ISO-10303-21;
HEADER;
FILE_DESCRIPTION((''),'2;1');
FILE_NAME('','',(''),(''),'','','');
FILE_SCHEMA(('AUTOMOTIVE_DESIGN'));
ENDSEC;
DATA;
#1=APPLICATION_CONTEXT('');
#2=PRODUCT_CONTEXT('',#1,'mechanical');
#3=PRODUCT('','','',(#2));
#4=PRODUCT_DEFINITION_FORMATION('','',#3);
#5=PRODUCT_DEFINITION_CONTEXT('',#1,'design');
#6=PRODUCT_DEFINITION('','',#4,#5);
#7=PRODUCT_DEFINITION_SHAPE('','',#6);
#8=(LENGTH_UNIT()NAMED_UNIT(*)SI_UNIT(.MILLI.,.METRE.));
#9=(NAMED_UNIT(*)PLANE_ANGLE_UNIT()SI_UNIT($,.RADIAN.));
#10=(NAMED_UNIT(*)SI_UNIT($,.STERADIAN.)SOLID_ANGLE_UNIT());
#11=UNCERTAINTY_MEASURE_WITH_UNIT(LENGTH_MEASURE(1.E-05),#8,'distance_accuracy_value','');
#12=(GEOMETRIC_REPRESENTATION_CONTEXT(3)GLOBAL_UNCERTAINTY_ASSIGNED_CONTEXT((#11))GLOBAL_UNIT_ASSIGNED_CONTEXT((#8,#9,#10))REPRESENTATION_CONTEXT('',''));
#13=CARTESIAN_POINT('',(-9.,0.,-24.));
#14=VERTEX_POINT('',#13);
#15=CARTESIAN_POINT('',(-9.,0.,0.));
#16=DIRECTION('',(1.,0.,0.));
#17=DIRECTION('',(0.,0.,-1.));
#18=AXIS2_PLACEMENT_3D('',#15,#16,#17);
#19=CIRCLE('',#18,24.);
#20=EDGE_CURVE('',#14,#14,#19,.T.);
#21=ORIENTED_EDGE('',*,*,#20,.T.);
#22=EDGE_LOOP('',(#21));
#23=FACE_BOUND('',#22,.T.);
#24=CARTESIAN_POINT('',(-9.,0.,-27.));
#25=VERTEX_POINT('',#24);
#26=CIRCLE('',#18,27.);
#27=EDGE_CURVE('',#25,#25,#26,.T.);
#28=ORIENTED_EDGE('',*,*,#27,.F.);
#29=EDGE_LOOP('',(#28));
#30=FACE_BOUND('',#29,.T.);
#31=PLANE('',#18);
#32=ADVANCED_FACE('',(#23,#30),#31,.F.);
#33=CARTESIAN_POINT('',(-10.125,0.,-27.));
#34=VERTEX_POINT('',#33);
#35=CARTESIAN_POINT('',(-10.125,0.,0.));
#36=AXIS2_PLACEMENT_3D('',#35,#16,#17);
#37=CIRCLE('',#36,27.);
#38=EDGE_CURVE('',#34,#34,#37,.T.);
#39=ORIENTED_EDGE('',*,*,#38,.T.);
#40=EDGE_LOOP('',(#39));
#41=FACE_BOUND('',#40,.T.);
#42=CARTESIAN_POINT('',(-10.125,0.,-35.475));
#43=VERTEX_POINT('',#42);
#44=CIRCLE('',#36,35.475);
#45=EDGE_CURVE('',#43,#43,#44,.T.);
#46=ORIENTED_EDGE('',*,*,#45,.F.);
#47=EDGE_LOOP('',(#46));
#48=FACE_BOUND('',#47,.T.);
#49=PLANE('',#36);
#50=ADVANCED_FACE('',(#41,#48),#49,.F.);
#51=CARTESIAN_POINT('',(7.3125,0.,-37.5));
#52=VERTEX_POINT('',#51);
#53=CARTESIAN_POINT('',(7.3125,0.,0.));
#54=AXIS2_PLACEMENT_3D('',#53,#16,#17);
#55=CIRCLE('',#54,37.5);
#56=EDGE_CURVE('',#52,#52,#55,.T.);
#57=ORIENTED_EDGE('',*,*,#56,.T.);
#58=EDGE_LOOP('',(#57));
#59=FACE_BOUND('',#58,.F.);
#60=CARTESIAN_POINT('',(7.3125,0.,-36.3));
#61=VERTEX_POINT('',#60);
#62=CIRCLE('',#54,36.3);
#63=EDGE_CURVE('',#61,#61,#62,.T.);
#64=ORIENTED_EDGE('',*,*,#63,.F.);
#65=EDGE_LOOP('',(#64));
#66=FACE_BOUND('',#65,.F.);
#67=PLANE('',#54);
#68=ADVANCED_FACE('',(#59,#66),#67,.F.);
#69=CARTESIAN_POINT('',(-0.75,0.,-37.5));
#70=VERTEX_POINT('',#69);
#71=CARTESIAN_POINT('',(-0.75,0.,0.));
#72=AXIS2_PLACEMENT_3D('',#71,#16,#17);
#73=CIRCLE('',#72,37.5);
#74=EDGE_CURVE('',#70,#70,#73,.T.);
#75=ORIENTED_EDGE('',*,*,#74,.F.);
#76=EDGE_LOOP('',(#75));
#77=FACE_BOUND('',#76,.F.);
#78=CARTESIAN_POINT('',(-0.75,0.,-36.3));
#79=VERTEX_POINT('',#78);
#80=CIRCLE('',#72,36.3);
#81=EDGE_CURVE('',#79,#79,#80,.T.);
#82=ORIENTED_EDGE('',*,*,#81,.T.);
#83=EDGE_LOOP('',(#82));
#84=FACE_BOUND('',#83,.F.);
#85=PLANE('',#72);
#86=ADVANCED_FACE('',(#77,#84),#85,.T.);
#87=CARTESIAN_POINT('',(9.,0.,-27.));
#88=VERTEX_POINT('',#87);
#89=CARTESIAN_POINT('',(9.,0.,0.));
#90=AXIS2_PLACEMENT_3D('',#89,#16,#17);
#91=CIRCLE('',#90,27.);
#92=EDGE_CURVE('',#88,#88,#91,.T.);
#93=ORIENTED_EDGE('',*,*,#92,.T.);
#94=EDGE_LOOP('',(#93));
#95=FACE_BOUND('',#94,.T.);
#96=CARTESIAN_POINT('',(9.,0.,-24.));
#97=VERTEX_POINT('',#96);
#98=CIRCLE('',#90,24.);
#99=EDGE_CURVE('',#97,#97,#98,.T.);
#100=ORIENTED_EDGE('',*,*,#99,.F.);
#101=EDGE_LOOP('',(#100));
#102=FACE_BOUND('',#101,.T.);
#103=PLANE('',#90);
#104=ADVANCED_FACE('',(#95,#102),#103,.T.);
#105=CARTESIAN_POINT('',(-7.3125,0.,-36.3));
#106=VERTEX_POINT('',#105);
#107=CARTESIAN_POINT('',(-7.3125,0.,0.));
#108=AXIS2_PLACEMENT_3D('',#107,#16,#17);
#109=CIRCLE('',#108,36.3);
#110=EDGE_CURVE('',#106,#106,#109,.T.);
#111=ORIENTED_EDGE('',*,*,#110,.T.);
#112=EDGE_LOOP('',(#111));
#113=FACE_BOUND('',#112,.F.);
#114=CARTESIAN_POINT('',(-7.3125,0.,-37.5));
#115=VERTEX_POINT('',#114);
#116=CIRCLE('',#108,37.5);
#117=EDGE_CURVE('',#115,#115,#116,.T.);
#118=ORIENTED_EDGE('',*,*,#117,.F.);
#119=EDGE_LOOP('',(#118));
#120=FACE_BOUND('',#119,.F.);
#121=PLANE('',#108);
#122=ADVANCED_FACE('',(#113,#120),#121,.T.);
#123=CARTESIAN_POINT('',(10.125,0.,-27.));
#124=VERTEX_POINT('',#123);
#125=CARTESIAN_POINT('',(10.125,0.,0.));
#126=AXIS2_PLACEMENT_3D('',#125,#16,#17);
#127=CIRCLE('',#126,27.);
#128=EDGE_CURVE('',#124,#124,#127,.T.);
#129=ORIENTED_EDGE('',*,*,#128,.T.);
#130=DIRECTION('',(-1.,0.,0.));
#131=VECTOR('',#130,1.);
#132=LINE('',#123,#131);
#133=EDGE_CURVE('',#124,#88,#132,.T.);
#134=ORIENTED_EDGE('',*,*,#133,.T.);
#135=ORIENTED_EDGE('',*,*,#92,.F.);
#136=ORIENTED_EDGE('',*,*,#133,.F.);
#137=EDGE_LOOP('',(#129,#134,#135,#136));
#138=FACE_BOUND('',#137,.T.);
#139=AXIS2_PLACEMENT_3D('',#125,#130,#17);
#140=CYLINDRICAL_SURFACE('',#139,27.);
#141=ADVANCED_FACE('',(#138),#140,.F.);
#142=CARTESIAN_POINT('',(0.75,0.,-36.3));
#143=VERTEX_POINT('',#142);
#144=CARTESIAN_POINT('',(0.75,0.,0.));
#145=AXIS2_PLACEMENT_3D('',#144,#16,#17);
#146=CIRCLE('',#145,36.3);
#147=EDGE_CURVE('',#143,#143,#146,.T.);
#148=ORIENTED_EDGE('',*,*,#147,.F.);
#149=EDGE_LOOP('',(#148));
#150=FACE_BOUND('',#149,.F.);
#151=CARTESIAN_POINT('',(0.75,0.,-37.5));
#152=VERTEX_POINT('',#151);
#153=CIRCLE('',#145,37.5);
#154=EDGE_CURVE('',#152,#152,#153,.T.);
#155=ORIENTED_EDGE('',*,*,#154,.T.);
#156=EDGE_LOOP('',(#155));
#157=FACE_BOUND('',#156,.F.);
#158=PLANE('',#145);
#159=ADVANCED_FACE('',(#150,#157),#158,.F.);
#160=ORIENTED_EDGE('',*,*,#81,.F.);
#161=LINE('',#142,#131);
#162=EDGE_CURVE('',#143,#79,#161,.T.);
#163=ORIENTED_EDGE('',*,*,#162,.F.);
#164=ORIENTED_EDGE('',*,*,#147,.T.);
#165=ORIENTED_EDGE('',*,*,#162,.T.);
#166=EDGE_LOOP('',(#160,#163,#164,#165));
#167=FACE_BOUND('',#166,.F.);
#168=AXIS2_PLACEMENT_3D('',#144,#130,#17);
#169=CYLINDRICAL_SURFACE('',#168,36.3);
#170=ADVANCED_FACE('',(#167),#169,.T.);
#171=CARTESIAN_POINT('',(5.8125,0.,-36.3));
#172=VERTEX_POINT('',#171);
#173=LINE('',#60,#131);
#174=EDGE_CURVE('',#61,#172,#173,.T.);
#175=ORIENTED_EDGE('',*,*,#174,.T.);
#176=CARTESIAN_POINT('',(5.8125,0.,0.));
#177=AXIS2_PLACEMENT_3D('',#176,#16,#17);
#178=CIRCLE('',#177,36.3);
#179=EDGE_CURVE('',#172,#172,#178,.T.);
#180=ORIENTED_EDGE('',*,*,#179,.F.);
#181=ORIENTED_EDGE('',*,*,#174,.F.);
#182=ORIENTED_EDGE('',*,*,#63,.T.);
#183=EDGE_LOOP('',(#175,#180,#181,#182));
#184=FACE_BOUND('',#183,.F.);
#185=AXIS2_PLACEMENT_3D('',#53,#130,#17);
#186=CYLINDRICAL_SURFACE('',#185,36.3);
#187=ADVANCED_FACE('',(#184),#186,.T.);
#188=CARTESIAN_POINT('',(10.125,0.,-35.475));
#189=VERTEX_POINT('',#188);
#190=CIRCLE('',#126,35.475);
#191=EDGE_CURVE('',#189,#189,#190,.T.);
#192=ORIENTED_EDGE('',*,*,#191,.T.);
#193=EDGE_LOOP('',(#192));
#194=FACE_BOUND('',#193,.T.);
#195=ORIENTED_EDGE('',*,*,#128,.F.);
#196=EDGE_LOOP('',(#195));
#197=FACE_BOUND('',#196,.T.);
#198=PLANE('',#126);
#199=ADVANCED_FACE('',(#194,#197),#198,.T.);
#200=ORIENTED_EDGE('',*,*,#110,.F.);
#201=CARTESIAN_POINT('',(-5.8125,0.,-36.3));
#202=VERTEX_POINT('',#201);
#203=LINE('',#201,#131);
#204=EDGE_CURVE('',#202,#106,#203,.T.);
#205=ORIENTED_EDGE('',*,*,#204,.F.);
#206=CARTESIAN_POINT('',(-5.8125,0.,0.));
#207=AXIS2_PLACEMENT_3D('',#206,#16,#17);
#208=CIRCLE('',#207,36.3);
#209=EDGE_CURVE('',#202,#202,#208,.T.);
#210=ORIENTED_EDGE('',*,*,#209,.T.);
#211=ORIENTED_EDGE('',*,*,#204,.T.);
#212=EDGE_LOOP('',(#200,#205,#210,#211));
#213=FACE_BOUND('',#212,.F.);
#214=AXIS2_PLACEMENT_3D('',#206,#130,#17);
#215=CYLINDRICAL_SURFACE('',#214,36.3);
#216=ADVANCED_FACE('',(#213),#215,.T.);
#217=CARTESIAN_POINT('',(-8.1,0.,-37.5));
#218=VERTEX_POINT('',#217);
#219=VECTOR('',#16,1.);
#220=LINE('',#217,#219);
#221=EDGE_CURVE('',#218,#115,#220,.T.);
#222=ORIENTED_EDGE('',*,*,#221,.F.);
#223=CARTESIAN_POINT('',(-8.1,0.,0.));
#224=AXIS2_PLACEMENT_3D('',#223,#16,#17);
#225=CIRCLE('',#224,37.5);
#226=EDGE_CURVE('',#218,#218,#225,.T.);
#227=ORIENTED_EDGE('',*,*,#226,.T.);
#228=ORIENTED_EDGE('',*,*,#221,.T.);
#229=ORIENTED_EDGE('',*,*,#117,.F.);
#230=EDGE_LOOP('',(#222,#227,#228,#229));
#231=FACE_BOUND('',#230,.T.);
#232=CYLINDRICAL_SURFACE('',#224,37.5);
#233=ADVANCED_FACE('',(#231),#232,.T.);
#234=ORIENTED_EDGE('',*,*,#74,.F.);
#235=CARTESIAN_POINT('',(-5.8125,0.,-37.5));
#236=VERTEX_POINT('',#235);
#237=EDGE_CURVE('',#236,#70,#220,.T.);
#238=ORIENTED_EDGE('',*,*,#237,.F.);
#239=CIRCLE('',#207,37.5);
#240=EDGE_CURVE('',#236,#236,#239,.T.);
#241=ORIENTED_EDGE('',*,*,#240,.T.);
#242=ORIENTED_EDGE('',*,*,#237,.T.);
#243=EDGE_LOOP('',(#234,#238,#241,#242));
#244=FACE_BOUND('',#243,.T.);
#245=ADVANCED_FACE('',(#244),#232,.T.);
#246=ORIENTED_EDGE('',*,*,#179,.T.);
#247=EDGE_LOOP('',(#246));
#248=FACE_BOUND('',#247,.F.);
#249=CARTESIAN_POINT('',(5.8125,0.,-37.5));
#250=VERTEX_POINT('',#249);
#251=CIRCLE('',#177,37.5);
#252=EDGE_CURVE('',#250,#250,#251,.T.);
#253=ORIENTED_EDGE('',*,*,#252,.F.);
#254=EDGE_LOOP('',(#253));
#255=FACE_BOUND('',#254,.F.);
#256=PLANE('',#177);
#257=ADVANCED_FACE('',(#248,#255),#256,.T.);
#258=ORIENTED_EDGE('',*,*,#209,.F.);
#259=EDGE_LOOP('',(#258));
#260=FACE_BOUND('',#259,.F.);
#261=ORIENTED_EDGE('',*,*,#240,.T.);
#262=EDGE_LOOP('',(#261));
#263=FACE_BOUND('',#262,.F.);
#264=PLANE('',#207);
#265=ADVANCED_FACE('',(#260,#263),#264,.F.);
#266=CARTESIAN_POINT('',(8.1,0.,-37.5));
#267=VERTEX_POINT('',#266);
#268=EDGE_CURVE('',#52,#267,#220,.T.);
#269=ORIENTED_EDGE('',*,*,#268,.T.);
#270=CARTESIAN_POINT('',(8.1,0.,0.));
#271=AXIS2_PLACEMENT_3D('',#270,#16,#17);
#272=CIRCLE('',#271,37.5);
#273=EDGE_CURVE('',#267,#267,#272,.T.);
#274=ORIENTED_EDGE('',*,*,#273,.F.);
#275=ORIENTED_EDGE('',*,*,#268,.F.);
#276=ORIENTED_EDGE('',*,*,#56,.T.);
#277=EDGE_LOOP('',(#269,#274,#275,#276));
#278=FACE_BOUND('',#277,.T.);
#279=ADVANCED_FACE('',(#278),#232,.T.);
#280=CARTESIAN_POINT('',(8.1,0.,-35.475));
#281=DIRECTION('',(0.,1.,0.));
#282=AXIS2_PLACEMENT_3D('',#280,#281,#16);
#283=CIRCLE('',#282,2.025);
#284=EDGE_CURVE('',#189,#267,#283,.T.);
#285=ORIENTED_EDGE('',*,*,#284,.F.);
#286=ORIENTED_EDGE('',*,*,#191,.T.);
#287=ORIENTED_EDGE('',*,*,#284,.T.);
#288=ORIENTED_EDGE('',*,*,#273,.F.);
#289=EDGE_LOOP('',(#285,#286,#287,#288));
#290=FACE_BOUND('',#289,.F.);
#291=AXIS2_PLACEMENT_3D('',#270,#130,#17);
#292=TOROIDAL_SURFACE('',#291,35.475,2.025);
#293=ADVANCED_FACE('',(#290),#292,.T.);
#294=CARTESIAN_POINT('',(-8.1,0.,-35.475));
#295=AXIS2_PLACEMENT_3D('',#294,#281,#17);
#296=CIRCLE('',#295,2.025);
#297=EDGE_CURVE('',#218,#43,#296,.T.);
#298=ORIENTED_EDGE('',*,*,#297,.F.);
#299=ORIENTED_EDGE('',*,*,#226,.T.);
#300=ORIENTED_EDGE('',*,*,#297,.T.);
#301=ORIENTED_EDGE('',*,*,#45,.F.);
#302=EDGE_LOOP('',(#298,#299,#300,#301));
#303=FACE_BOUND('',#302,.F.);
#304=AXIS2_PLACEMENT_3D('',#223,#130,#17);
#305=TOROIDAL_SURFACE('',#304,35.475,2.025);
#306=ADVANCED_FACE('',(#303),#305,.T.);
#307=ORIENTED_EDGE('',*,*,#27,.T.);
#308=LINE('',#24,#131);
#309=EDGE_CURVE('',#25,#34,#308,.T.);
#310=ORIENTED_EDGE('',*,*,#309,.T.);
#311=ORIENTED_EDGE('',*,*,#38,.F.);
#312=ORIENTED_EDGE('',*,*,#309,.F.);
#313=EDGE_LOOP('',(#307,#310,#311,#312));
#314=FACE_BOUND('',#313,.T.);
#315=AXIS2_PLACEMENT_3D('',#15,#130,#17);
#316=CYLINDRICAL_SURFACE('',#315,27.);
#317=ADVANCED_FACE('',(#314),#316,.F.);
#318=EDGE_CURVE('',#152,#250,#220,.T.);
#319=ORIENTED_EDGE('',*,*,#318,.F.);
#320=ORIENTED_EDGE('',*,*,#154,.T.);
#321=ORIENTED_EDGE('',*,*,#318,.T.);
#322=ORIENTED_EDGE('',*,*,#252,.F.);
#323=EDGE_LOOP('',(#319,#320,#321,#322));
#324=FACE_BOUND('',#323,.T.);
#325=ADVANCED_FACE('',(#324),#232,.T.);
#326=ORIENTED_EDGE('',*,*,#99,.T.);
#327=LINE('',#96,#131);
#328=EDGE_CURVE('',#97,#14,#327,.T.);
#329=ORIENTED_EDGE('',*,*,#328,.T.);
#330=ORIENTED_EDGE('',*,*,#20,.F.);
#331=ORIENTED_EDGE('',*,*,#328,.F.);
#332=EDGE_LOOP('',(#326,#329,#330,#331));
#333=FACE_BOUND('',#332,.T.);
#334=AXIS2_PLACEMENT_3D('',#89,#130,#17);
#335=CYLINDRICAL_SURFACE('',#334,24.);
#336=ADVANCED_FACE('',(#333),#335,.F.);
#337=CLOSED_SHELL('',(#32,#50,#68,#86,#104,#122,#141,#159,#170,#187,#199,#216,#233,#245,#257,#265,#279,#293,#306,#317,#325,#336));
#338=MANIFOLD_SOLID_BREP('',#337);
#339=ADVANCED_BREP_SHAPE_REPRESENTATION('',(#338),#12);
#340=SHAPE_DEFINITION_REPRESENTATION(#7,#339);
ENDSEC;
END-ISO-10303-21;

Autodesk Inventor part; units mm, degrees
ref_plane "YZ Plane" through (0, 0, 0) normal (1, 0, 0) x (0, 1, 0)
ref_plane "XZ Plane" through (0, 0, 0) normal (0, 1, 0) x (-1, 0, 0)
ref_plane "XY Plane" through (0, 0, 0) normal (0, 0, 1) x (1, 0, 0)
sketch "Sketch1" plane through (0, 0, 0) normal (0, 1, 0) x (-1, 0, 0)
  line L0 (13.955, 0) -> (0, 0) construction
  line L1 (0, 0) -> (0, -8.8012) construction
  line L2 (-9, -24) -> (9, -24)
  line L3 (9, -24) -> (9, -27)
  line L4 (9, -27) -> (10.125, -27)
  line L5 (10.125, -27) -> (10.125, -35.475)
  arc A0 (8.1, -37.5) -> (10.125, -35.475) centre (8.1, -35.475) ccw
  line L6 (8.1, -37.5) -> (-8.1, -37.5)
  arc A1 (-10.125, -35.475) -> (-8.1, -37.5) centre (-8.1, -35.475) ccw
  line L7 (-10.125, -35.475) -> (-10.125, -27)
  line L8 (-10.125, -27) -> (-9, -27)
  line L9 (-9, -27) -> (-9, -24)
  line L10 (7.3125, -37.5) -> (5.8125, -37.5)
  line L11 (5.8125, -37.5) -> (5.8125, -36.3)
  line L12 (5.8125, -36.3) -> (7.3125, -36.3)
  line L13 (7.3125, -36.3) -> (7.3125, -37.5)
  line L14 (0.75, -37.5) -> (-0.75, -37.5)
  line L15 (-0.75, -37.5) -> (-0.75, -36.3)
  line L16 (-0.75, -36.3) -> (0.75, -36.3)
  line L17 (0.75, -36.3) -> (0.75, -37.5)
  line L18 (-5.8125, -37.5) -> (-7.3125, -37.5)
  line L19 (-7.3125, -37.5) -> (-7.3125, -36.3)
  line L20 (-7.3125, -36.3) -> (-5.8125, -36.3)
  line L21 (-5.8125, -36.3) -> (-5.8125, -37.5)
  point P0 (-0.75, -37.5)
  dimension "d0" = 37.5
  dimension "d1" = 20.25
  dimension "d2" = 2.025
  dimension "d3" = 24
  dimension "d4" = 3
  dimension "d5" = 1.125
  dimension "d7" = 1.2
  dimension "d8" = 1.5
  dimension "d9" = 5.0625
revolve "Revolution1" add sketch "Sketch1" angle 360 about axis through (-13.955, 0, 0) along (1, 0, 0) contours L2 L3 L4 L5 A0 L6 L13 L12 L11 L17 L16 L15 L21 L20 L19 A1 L7 L8 L9
equation "\"d1\" = 0.54 * d0"
equation "\"d2\" = 0.1 * d1"
equation "\"d3\" = 0.64 * d0"
equation "\"d4\" = 0.08 * d0"
equation "\"d5\" = 0.03 * d0"
equation "\"d9\" = 0.25 * d1"
properties part number "Wheel 75 mm - Part 1"
